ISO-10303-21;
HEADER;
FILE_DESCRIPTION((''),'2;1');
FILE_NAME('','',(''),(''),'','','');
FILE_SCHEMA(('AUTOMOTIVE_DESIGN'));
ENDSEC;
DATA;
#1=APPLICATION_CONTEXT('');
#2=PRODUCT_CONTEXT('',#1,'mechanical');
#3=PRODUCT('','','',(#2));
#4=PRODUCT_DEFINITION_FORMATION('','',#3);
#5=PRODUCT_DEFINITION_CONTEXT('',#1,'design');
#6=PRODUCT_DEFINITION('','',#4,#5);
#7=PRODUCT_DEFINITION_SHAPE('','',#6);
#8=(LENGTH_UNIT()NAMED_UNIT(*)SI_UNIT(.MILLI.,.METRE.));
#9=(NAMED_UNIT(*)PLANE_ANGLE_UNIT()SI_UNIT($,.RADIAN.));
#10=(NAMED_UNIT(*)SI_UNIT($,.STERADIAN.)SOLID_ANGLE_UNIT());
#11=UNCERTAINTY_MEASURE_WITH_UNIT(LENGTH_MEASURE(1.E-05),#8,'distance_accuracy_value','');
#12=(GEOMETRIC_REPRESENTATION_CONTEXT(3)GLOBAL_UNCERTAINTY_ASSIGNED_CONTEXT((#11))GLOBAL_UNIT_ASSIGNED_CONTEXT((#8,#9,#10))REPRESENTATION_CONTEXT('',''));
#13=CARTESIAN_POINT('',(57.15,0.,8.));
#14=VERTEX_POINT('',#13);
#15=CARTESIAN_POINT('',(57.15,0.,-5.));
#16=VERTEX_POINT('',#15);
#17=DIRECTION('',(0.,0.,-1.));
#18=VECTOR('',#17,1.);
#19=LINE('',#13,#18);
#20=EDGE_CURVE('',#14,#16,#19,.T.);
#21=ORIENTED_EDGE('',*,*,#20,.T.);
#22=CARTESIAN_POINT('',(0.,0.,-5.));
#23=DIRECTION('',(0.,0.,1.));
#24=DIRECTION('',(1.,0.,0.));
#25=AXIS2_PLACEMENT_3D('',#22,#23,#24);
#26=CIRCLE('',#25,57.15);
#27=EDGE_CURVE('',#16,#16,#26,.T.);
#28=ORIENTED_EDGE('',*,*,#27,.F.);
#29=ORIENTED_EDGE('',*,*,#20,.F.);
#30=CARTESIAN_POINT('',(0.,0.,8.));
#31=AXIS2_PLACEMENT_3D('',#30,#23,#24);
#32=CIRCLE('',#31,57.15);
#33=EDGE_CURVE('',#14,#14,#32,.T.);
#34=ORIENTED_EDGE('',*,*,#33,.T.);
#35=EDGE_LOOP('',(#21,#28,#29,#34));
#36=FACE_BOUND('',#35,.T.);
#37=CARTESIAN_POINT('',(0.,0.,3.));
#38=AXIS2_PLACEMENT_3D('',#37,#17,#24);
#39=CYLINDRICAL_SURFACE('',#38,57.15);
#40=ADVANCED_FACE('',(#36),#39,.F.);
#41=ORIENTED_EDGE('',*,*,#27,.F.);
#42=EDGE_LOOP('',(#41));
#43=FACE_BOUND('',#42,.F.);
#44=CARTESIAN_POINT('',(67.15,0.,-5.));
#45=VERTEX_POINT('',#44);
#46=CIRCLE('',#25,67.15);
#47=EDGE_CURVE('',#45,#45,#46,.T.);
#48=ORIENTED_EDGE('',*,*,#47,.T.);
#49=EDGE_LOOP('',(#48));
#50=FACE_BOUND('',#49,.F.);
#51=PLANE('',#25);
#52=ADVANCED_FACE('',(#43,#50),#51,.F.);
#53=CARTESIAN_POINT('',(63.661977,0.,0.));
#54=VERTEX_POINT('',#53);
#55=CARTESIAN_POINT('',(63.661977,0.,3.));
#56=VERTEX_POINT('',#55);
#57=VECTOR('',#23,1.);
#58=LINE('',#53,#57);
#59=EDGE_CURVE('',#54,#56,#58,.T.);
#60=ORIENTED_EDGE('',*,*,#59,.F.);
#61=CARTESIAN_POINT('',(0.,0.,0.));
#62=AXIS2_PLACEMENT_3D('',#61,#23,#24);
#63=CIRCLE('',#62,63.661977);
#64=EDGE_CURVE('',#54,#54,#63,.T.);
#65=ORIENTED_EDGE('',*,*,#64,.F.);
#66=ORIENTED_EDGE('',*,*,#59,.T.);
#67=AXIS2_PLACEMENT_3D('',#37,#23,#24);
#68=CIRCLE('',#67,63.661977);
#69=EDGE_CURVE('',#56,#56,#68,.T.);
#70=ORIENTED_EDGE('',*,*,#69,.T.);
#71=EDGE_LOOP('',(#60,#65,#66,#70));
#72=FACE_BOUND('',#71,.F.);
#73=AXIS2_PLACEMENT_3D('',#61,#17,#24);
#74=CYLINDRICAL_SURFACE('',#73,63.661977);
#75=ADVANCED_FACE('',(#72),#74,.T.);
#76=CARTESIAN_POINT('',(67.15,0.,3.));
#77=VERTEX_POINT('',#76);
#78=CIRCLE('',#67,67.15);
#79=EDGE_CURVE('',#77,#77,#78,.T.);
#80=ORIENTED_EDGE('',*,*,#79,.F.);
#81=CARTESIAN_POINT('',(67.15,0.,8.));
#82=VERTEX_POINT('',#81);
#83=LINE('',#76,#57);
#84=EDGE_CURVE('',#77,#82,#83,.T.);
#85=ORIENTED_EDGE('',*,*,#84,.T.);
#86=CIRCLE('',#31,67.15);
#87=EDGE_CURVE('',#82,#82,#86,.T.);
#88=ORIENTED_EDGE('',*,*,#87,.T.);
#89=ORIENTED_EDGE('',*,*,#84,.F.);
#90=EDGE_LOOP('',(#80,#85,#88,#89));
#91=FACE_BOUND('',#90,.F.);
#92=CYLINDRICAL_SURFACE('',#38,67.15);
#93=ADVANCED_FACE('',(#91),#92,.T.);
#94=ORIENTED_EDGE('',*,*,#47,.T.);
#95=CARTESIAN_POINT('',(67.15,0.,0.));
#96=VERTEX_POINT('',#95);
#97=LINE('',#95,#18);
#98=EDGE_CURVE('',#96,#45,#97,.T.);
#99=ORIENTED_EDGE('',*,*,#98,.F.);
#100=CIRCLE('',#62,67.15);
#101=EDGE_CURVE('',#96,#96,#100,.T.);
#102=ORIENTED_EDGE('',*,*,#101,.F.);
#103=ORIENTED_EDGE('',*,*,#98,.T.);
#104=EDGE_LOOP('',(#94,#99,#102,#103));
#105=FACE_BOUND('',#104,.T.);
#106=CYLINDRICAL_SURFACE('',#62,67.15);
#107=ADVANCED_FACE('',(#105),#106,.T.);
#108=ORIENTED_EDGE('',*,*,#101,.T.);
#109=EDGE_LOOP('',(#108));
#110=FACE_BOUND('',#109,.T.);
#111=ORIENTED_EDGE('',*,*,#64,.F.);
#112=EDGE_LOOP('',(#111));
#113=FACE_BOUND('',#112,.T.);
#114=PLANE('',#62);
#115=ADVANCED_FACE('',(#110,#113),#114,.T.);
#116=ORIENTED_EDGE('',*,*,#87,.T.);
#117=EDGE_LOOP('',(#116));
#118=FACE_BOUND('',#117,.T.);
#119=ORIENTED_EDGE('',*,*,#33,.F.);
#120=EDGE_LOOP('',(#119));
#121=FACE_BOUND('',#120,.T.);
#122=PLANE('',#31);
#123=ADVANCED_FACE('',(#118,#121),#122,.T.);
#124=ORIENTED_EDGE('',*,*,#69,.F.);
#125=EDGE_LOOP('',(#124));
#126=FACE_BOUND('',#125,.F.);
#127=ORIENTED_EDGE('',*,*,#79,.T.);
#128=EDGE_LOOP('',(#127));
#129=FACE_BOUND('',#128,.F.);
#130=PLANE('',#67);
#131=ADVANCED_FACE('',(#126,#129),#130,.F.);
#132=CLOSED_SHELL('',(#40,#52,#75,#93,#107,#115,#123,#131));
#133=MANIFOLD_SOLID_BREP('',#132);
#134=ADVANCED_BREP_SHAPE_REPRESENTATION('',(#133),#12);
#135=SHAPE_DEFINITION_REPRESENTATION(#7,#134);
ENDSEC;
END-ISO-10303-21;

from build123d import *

# Parameters (mm, degrees)
F0_R     = 63.6619772368
F0_R_2   = 57.15
F1_DEPTH = 3
F2_R     = 67.15
F2_R_2   = 63.6619772368
F3_DEPTH = 5
F4_R     = 67.15
F4_R_2   = 63.6619772368
F4_R_3   = 57.15
F5_DEPTH = 5


with BuildPart() as f1:
    # F0 (on Top) → F1 (new body)
    with BuildSketch(Plane.XY):
        Circle(F0_R)
        Circle(F0_R_2, mode=Mode.SUBTRACT)
    extrude(amount=F1_DEPTH)

    # F2 (on face) + F0 (on Top) → F3 (join)
    with BuildSketch(Plane.XY):
        Circle(F2_R)
        Circle(F2_R_2, mode=Mode.SUBTRACT)
    with BuildSketch(Plane.XY):
        Circle(F0_R)
        Circle(F0_R_2, mode=Mode.SUBTRACT)
    extrude(amount=-F3_DEPTH)

    # F4 (on face) → F5 (join)
    with BuildSketch(Plane.XY.offset(3)):
        Circle(F4_R)
        Circle(F4_R_2, mode=Mode.SUBTRACT)
        Circle(F4_R_2)
        Circle(F4_R_3, mode=Mode.SUBTRACT)
    extrude(amount=F5_DEPTH)


solid = f1.part
